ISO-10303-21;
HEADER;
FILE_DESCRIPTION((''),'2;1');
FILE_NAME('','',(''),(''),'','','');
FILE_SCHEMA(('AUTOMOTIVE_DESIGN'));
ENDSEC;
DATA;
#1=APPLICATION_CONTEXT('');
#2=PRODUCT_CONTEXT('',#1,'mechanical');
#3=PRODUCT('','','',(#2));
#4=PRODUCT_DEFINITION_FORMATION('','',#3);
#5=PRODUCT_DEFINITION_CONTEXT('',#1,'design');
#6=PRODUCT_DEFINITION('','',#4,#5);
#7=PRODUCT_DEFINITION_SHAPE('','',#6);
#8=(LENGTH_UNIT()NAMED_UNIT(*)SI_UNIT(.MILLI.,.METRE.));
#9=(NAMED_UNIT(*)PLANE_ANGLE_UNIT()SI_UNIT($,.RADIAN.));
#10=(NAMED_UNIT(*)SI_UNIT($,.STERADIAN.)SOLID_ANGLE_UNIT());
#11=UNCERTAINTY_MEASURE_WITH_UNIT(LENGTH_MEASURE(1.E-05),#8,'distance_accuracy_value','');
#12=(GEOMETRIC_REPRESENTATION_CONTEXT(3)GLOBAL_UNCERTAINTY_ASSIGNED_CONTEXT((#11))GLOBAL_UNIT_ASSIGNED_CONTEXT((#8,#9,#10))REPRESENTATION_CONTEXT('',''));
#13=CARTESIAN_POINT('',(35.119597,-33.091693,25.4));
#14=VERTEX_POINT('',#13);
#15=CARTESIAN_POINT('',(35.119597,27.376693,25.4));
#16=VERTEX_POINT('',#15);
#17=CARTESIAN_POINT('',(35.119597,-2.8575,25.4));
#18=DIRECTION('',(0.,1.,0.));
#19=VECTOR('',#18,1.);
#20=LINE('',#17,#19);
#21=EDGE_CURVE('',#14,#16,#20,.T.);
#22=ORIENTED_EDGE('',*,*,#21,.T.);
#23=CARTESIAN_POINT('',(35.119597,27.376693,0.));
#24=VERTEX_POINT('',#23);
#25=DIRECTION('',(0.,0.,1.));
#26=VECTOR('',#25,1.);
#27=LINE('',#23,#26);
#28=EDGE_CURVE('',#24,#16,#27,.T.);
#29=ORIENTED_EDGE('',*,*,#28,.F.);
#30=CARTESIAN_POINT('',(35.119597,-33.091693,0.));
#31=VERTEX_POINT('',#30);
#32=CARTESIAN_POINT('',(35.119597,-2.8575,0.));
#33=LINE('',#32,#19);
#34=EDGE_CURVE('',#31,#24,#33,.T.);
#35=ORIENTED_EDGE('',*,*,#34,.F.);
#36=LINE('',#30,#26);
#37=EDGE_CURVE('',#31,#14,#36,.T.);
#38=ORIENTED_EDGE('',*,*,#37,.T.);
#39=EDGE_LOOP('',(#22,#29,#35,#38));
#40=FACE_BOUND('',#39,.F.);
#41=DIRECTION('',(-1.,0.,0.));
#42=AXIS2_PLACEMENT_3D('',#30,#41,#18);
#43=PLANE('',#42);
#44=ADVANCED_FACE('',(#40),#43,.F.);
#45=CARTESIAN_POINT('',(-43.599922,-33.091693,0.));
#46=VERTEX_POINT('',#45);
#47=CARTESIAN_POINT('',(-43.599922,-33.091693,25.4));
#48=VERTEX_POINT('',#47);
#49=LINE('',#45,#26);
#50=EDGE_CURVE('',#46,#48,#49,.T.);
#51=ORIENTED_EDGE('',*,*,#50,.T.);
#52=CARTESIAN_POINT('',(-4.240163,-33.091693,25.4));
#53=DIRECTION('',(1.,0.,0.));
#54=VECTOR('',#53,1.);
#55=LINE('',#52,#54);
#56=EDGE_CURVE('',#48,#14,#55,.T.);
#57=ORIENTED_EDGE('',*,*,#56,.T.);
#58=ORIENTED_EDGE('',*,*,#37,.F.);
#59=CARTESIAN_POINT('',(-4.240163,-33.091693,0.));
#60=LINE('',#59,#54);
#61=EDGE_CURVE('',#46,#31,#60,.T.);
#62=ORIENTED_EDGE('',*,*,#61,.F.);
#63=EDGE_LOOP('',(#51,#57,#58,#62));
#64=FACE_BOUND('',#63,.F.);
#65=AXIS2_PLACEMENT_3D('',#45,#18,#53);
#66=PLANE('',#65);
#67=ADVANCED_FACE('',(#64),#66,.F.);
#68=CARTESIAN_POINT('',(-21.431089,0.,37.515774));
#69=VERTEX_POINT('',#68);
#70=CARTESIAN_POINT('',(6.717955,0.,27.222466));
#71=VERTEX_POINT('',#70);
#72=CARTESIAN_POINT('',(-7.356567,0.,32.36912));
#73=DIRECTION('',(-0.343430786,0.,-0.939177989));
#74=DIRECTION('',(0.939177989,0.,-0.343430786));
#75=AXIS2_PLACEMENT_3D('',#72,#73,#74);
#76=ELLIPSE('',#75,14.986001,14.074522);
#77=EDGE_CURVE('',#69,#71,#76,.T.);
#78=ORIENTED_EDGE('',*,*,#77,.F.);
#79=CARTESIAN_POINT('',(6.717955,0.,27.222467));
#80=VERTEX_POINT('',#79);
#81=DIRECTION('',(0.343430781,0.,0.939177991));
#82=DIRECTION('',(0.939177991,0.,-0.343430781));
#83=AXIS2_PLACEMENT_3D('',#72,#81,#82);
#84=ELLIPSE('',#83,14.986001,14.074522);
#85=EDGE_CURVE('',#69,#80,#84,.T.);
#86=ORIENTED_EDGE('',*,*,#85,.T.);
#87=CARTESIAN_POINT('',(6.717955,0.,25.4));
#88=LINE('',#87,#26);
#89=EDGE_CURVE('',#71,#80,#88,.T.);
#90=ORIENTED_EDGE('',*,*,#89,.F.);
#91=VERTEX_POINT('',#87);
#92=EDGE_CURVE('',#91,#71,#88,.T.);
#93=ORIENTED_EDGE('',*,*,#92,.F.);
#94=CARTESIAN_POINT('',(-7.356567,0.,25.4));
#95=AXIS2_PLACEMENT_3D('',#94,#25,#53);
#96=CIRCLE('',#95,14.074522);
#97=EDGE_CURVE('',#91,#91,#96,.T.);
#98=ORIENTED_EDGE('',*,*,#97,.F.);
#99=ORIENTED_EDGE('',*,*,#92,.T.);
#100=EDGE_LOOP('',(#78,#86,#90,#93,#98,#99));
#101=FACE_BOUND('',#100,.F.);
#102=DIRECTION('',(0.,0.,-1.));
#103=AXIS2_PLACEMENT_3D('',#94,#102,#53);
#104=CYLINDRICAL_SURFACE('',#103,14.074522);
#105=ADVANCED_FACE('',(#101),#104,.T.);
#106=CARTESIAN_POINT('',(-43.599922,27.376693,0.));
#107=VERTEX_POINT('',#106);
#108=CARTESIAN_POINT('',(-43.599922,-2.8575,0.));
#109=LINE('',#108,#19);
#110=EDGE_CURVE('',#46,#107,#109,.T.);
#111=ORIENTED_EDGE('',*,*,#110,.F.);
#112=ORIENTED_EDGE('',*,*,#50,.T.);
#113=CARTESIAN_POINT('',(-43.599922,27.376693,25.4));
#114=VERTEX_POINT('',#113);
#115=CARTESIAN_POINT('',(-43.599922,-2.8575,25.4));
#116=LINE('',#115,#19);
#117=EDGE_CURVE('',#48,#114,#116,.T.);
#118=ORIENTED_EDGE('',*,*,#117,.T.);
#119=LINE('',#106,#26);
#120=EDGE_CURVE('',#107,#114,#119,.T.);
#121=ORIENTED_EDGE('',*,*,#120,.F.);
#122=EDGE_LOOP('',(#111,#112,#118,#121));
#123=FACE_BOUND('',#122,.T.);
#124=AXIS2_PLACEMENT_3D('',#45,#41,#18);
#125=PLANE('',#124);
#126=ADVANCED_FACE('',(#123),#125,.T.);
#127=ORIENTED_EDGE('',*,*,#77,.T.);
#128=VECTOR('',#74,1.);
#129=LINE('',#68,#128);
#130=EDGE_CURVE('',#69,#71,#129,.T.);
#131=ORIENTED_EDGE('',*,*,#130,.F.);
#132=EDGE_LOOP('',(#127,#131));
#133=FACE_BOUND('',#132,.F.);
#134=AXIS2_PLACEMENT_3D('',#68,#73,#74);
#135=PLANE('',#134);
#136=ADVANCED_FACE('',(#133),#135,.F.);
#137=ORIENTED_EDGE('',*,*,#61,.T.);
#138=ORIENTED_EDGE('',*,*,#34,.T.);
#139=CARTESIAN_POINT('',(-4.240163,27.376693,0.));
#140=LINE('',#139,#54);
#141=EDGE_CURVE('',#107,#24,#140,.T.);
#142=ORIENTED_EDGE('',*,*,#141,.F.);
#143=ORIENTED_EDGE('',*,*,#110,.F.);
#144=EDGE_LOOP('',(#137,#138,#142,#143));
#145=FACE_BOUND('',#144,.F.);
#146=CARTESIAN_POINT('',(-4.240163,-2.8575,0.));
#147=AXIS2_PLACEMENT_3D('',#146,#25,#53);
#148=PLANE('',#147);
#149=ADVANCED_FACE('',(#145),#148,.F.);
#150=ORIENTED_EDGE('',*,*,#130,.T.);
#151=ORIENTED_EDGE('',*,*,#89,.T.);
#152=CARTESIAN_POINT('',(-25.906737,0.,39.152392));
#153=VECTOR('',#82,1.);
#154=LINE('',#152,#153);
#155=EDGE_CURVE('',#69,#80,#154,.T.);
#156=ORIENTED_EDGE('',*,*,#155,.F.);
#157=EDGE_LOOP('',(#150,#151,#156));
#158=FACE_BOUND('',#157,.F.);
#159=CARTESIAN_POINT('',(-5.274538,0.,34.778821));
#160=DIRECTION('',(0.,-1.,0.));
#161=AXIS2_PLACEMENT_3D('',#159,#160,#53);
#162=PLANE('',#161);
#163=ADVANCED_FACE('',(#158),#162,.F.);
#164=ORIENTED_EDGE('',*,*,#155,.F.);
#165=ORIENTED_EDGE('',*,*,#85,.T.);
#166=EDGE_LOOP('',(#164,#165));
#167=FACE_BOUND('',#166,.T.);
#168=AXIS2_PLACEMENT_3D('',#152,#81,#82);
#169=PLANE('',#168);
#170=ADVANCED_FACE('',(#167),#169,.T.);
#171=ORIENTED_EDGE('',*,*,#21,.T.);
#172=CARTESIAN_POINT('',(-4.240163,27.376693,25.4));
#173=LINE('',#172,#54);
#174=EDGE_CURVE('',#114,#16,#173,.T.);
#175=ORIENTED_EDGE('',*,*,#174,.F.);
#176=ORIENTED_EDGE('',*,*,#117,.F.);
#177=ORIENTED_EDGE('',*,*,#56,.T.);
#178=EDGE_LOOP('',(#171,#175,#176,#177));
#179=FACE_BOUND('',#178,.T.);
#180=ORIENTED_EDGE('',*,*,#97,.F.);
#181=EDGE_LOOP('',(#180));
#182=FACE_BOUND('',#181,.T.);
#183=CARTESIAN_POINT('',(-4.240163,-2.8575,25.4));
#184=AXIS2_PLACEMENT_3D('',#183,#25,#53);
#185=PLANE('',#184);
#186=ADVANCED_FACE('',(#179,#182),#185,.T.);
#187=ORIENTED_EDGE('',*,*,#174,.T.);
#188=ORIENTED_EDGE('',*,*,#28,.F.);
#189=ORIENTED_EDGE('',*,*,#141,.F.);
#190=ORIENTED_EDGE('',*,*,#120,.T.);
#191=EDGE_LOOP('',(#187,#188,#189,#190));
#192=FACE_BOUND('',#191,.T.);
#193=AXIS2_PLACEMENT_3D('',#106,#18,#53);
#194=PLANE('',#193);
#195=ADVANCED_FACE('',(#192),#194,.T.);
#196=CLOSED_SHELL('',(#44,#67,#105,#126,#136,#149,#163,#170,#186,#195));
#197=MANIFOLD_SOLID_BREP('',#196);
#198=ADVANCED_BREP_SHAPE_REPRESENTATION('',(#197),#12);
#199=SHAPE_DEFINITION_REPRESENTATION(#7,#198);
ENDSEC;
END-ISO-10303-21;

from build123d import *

# Parameters (mm, degrees)
F0_W     = 78.719519
F0_H     = 60.468387
F1_DEPTH = 25.4
F2_R     = 14.074522
F3_DEPTH = 12.7
F5_DEPTH = 25.4
F7_DEPTH = 25.4


with BuildPart() as f1:
    # F0 (on Top) → F1 (new body)
    with BuildSketch(Plane.XY):
        with Locations((-4.240163, -2.8575)):
            Rectangle(F0_W, F0_H)
    extrude(amount=F1_DEPTH)

    # F2 (on face) → F3 (join)
    with BuildSketch(Plane.XY.offset(25.4)):
        with Locations((-7.356567, 0)):
            Circle(F2_R)
    extrude(amount=F3_DEPTH)

    # F4 (on Front) → F5 (cut)
    with BuildSketch(Plane.XZ):
        Polygon((8.411328, 43.520503), (-25.906737, 39.152392), (8.411328, 26.603248), align=None)
    extrude(amount=F5_DEPTH, mode=Mode.SUBTRACT)

    # F6 (on face) → F7 (cut)
    with BuildSketch(Plane.XZ):
        Polygon((6.717955, 38.1), (-21.431089, 38.1), (-21.431089, 37.515774), (6.717955, 27.222466), align=None)
    extrude(amount=-F7_DEPTH, mode=Mode.SUBTRACT)


solid = f1.part
